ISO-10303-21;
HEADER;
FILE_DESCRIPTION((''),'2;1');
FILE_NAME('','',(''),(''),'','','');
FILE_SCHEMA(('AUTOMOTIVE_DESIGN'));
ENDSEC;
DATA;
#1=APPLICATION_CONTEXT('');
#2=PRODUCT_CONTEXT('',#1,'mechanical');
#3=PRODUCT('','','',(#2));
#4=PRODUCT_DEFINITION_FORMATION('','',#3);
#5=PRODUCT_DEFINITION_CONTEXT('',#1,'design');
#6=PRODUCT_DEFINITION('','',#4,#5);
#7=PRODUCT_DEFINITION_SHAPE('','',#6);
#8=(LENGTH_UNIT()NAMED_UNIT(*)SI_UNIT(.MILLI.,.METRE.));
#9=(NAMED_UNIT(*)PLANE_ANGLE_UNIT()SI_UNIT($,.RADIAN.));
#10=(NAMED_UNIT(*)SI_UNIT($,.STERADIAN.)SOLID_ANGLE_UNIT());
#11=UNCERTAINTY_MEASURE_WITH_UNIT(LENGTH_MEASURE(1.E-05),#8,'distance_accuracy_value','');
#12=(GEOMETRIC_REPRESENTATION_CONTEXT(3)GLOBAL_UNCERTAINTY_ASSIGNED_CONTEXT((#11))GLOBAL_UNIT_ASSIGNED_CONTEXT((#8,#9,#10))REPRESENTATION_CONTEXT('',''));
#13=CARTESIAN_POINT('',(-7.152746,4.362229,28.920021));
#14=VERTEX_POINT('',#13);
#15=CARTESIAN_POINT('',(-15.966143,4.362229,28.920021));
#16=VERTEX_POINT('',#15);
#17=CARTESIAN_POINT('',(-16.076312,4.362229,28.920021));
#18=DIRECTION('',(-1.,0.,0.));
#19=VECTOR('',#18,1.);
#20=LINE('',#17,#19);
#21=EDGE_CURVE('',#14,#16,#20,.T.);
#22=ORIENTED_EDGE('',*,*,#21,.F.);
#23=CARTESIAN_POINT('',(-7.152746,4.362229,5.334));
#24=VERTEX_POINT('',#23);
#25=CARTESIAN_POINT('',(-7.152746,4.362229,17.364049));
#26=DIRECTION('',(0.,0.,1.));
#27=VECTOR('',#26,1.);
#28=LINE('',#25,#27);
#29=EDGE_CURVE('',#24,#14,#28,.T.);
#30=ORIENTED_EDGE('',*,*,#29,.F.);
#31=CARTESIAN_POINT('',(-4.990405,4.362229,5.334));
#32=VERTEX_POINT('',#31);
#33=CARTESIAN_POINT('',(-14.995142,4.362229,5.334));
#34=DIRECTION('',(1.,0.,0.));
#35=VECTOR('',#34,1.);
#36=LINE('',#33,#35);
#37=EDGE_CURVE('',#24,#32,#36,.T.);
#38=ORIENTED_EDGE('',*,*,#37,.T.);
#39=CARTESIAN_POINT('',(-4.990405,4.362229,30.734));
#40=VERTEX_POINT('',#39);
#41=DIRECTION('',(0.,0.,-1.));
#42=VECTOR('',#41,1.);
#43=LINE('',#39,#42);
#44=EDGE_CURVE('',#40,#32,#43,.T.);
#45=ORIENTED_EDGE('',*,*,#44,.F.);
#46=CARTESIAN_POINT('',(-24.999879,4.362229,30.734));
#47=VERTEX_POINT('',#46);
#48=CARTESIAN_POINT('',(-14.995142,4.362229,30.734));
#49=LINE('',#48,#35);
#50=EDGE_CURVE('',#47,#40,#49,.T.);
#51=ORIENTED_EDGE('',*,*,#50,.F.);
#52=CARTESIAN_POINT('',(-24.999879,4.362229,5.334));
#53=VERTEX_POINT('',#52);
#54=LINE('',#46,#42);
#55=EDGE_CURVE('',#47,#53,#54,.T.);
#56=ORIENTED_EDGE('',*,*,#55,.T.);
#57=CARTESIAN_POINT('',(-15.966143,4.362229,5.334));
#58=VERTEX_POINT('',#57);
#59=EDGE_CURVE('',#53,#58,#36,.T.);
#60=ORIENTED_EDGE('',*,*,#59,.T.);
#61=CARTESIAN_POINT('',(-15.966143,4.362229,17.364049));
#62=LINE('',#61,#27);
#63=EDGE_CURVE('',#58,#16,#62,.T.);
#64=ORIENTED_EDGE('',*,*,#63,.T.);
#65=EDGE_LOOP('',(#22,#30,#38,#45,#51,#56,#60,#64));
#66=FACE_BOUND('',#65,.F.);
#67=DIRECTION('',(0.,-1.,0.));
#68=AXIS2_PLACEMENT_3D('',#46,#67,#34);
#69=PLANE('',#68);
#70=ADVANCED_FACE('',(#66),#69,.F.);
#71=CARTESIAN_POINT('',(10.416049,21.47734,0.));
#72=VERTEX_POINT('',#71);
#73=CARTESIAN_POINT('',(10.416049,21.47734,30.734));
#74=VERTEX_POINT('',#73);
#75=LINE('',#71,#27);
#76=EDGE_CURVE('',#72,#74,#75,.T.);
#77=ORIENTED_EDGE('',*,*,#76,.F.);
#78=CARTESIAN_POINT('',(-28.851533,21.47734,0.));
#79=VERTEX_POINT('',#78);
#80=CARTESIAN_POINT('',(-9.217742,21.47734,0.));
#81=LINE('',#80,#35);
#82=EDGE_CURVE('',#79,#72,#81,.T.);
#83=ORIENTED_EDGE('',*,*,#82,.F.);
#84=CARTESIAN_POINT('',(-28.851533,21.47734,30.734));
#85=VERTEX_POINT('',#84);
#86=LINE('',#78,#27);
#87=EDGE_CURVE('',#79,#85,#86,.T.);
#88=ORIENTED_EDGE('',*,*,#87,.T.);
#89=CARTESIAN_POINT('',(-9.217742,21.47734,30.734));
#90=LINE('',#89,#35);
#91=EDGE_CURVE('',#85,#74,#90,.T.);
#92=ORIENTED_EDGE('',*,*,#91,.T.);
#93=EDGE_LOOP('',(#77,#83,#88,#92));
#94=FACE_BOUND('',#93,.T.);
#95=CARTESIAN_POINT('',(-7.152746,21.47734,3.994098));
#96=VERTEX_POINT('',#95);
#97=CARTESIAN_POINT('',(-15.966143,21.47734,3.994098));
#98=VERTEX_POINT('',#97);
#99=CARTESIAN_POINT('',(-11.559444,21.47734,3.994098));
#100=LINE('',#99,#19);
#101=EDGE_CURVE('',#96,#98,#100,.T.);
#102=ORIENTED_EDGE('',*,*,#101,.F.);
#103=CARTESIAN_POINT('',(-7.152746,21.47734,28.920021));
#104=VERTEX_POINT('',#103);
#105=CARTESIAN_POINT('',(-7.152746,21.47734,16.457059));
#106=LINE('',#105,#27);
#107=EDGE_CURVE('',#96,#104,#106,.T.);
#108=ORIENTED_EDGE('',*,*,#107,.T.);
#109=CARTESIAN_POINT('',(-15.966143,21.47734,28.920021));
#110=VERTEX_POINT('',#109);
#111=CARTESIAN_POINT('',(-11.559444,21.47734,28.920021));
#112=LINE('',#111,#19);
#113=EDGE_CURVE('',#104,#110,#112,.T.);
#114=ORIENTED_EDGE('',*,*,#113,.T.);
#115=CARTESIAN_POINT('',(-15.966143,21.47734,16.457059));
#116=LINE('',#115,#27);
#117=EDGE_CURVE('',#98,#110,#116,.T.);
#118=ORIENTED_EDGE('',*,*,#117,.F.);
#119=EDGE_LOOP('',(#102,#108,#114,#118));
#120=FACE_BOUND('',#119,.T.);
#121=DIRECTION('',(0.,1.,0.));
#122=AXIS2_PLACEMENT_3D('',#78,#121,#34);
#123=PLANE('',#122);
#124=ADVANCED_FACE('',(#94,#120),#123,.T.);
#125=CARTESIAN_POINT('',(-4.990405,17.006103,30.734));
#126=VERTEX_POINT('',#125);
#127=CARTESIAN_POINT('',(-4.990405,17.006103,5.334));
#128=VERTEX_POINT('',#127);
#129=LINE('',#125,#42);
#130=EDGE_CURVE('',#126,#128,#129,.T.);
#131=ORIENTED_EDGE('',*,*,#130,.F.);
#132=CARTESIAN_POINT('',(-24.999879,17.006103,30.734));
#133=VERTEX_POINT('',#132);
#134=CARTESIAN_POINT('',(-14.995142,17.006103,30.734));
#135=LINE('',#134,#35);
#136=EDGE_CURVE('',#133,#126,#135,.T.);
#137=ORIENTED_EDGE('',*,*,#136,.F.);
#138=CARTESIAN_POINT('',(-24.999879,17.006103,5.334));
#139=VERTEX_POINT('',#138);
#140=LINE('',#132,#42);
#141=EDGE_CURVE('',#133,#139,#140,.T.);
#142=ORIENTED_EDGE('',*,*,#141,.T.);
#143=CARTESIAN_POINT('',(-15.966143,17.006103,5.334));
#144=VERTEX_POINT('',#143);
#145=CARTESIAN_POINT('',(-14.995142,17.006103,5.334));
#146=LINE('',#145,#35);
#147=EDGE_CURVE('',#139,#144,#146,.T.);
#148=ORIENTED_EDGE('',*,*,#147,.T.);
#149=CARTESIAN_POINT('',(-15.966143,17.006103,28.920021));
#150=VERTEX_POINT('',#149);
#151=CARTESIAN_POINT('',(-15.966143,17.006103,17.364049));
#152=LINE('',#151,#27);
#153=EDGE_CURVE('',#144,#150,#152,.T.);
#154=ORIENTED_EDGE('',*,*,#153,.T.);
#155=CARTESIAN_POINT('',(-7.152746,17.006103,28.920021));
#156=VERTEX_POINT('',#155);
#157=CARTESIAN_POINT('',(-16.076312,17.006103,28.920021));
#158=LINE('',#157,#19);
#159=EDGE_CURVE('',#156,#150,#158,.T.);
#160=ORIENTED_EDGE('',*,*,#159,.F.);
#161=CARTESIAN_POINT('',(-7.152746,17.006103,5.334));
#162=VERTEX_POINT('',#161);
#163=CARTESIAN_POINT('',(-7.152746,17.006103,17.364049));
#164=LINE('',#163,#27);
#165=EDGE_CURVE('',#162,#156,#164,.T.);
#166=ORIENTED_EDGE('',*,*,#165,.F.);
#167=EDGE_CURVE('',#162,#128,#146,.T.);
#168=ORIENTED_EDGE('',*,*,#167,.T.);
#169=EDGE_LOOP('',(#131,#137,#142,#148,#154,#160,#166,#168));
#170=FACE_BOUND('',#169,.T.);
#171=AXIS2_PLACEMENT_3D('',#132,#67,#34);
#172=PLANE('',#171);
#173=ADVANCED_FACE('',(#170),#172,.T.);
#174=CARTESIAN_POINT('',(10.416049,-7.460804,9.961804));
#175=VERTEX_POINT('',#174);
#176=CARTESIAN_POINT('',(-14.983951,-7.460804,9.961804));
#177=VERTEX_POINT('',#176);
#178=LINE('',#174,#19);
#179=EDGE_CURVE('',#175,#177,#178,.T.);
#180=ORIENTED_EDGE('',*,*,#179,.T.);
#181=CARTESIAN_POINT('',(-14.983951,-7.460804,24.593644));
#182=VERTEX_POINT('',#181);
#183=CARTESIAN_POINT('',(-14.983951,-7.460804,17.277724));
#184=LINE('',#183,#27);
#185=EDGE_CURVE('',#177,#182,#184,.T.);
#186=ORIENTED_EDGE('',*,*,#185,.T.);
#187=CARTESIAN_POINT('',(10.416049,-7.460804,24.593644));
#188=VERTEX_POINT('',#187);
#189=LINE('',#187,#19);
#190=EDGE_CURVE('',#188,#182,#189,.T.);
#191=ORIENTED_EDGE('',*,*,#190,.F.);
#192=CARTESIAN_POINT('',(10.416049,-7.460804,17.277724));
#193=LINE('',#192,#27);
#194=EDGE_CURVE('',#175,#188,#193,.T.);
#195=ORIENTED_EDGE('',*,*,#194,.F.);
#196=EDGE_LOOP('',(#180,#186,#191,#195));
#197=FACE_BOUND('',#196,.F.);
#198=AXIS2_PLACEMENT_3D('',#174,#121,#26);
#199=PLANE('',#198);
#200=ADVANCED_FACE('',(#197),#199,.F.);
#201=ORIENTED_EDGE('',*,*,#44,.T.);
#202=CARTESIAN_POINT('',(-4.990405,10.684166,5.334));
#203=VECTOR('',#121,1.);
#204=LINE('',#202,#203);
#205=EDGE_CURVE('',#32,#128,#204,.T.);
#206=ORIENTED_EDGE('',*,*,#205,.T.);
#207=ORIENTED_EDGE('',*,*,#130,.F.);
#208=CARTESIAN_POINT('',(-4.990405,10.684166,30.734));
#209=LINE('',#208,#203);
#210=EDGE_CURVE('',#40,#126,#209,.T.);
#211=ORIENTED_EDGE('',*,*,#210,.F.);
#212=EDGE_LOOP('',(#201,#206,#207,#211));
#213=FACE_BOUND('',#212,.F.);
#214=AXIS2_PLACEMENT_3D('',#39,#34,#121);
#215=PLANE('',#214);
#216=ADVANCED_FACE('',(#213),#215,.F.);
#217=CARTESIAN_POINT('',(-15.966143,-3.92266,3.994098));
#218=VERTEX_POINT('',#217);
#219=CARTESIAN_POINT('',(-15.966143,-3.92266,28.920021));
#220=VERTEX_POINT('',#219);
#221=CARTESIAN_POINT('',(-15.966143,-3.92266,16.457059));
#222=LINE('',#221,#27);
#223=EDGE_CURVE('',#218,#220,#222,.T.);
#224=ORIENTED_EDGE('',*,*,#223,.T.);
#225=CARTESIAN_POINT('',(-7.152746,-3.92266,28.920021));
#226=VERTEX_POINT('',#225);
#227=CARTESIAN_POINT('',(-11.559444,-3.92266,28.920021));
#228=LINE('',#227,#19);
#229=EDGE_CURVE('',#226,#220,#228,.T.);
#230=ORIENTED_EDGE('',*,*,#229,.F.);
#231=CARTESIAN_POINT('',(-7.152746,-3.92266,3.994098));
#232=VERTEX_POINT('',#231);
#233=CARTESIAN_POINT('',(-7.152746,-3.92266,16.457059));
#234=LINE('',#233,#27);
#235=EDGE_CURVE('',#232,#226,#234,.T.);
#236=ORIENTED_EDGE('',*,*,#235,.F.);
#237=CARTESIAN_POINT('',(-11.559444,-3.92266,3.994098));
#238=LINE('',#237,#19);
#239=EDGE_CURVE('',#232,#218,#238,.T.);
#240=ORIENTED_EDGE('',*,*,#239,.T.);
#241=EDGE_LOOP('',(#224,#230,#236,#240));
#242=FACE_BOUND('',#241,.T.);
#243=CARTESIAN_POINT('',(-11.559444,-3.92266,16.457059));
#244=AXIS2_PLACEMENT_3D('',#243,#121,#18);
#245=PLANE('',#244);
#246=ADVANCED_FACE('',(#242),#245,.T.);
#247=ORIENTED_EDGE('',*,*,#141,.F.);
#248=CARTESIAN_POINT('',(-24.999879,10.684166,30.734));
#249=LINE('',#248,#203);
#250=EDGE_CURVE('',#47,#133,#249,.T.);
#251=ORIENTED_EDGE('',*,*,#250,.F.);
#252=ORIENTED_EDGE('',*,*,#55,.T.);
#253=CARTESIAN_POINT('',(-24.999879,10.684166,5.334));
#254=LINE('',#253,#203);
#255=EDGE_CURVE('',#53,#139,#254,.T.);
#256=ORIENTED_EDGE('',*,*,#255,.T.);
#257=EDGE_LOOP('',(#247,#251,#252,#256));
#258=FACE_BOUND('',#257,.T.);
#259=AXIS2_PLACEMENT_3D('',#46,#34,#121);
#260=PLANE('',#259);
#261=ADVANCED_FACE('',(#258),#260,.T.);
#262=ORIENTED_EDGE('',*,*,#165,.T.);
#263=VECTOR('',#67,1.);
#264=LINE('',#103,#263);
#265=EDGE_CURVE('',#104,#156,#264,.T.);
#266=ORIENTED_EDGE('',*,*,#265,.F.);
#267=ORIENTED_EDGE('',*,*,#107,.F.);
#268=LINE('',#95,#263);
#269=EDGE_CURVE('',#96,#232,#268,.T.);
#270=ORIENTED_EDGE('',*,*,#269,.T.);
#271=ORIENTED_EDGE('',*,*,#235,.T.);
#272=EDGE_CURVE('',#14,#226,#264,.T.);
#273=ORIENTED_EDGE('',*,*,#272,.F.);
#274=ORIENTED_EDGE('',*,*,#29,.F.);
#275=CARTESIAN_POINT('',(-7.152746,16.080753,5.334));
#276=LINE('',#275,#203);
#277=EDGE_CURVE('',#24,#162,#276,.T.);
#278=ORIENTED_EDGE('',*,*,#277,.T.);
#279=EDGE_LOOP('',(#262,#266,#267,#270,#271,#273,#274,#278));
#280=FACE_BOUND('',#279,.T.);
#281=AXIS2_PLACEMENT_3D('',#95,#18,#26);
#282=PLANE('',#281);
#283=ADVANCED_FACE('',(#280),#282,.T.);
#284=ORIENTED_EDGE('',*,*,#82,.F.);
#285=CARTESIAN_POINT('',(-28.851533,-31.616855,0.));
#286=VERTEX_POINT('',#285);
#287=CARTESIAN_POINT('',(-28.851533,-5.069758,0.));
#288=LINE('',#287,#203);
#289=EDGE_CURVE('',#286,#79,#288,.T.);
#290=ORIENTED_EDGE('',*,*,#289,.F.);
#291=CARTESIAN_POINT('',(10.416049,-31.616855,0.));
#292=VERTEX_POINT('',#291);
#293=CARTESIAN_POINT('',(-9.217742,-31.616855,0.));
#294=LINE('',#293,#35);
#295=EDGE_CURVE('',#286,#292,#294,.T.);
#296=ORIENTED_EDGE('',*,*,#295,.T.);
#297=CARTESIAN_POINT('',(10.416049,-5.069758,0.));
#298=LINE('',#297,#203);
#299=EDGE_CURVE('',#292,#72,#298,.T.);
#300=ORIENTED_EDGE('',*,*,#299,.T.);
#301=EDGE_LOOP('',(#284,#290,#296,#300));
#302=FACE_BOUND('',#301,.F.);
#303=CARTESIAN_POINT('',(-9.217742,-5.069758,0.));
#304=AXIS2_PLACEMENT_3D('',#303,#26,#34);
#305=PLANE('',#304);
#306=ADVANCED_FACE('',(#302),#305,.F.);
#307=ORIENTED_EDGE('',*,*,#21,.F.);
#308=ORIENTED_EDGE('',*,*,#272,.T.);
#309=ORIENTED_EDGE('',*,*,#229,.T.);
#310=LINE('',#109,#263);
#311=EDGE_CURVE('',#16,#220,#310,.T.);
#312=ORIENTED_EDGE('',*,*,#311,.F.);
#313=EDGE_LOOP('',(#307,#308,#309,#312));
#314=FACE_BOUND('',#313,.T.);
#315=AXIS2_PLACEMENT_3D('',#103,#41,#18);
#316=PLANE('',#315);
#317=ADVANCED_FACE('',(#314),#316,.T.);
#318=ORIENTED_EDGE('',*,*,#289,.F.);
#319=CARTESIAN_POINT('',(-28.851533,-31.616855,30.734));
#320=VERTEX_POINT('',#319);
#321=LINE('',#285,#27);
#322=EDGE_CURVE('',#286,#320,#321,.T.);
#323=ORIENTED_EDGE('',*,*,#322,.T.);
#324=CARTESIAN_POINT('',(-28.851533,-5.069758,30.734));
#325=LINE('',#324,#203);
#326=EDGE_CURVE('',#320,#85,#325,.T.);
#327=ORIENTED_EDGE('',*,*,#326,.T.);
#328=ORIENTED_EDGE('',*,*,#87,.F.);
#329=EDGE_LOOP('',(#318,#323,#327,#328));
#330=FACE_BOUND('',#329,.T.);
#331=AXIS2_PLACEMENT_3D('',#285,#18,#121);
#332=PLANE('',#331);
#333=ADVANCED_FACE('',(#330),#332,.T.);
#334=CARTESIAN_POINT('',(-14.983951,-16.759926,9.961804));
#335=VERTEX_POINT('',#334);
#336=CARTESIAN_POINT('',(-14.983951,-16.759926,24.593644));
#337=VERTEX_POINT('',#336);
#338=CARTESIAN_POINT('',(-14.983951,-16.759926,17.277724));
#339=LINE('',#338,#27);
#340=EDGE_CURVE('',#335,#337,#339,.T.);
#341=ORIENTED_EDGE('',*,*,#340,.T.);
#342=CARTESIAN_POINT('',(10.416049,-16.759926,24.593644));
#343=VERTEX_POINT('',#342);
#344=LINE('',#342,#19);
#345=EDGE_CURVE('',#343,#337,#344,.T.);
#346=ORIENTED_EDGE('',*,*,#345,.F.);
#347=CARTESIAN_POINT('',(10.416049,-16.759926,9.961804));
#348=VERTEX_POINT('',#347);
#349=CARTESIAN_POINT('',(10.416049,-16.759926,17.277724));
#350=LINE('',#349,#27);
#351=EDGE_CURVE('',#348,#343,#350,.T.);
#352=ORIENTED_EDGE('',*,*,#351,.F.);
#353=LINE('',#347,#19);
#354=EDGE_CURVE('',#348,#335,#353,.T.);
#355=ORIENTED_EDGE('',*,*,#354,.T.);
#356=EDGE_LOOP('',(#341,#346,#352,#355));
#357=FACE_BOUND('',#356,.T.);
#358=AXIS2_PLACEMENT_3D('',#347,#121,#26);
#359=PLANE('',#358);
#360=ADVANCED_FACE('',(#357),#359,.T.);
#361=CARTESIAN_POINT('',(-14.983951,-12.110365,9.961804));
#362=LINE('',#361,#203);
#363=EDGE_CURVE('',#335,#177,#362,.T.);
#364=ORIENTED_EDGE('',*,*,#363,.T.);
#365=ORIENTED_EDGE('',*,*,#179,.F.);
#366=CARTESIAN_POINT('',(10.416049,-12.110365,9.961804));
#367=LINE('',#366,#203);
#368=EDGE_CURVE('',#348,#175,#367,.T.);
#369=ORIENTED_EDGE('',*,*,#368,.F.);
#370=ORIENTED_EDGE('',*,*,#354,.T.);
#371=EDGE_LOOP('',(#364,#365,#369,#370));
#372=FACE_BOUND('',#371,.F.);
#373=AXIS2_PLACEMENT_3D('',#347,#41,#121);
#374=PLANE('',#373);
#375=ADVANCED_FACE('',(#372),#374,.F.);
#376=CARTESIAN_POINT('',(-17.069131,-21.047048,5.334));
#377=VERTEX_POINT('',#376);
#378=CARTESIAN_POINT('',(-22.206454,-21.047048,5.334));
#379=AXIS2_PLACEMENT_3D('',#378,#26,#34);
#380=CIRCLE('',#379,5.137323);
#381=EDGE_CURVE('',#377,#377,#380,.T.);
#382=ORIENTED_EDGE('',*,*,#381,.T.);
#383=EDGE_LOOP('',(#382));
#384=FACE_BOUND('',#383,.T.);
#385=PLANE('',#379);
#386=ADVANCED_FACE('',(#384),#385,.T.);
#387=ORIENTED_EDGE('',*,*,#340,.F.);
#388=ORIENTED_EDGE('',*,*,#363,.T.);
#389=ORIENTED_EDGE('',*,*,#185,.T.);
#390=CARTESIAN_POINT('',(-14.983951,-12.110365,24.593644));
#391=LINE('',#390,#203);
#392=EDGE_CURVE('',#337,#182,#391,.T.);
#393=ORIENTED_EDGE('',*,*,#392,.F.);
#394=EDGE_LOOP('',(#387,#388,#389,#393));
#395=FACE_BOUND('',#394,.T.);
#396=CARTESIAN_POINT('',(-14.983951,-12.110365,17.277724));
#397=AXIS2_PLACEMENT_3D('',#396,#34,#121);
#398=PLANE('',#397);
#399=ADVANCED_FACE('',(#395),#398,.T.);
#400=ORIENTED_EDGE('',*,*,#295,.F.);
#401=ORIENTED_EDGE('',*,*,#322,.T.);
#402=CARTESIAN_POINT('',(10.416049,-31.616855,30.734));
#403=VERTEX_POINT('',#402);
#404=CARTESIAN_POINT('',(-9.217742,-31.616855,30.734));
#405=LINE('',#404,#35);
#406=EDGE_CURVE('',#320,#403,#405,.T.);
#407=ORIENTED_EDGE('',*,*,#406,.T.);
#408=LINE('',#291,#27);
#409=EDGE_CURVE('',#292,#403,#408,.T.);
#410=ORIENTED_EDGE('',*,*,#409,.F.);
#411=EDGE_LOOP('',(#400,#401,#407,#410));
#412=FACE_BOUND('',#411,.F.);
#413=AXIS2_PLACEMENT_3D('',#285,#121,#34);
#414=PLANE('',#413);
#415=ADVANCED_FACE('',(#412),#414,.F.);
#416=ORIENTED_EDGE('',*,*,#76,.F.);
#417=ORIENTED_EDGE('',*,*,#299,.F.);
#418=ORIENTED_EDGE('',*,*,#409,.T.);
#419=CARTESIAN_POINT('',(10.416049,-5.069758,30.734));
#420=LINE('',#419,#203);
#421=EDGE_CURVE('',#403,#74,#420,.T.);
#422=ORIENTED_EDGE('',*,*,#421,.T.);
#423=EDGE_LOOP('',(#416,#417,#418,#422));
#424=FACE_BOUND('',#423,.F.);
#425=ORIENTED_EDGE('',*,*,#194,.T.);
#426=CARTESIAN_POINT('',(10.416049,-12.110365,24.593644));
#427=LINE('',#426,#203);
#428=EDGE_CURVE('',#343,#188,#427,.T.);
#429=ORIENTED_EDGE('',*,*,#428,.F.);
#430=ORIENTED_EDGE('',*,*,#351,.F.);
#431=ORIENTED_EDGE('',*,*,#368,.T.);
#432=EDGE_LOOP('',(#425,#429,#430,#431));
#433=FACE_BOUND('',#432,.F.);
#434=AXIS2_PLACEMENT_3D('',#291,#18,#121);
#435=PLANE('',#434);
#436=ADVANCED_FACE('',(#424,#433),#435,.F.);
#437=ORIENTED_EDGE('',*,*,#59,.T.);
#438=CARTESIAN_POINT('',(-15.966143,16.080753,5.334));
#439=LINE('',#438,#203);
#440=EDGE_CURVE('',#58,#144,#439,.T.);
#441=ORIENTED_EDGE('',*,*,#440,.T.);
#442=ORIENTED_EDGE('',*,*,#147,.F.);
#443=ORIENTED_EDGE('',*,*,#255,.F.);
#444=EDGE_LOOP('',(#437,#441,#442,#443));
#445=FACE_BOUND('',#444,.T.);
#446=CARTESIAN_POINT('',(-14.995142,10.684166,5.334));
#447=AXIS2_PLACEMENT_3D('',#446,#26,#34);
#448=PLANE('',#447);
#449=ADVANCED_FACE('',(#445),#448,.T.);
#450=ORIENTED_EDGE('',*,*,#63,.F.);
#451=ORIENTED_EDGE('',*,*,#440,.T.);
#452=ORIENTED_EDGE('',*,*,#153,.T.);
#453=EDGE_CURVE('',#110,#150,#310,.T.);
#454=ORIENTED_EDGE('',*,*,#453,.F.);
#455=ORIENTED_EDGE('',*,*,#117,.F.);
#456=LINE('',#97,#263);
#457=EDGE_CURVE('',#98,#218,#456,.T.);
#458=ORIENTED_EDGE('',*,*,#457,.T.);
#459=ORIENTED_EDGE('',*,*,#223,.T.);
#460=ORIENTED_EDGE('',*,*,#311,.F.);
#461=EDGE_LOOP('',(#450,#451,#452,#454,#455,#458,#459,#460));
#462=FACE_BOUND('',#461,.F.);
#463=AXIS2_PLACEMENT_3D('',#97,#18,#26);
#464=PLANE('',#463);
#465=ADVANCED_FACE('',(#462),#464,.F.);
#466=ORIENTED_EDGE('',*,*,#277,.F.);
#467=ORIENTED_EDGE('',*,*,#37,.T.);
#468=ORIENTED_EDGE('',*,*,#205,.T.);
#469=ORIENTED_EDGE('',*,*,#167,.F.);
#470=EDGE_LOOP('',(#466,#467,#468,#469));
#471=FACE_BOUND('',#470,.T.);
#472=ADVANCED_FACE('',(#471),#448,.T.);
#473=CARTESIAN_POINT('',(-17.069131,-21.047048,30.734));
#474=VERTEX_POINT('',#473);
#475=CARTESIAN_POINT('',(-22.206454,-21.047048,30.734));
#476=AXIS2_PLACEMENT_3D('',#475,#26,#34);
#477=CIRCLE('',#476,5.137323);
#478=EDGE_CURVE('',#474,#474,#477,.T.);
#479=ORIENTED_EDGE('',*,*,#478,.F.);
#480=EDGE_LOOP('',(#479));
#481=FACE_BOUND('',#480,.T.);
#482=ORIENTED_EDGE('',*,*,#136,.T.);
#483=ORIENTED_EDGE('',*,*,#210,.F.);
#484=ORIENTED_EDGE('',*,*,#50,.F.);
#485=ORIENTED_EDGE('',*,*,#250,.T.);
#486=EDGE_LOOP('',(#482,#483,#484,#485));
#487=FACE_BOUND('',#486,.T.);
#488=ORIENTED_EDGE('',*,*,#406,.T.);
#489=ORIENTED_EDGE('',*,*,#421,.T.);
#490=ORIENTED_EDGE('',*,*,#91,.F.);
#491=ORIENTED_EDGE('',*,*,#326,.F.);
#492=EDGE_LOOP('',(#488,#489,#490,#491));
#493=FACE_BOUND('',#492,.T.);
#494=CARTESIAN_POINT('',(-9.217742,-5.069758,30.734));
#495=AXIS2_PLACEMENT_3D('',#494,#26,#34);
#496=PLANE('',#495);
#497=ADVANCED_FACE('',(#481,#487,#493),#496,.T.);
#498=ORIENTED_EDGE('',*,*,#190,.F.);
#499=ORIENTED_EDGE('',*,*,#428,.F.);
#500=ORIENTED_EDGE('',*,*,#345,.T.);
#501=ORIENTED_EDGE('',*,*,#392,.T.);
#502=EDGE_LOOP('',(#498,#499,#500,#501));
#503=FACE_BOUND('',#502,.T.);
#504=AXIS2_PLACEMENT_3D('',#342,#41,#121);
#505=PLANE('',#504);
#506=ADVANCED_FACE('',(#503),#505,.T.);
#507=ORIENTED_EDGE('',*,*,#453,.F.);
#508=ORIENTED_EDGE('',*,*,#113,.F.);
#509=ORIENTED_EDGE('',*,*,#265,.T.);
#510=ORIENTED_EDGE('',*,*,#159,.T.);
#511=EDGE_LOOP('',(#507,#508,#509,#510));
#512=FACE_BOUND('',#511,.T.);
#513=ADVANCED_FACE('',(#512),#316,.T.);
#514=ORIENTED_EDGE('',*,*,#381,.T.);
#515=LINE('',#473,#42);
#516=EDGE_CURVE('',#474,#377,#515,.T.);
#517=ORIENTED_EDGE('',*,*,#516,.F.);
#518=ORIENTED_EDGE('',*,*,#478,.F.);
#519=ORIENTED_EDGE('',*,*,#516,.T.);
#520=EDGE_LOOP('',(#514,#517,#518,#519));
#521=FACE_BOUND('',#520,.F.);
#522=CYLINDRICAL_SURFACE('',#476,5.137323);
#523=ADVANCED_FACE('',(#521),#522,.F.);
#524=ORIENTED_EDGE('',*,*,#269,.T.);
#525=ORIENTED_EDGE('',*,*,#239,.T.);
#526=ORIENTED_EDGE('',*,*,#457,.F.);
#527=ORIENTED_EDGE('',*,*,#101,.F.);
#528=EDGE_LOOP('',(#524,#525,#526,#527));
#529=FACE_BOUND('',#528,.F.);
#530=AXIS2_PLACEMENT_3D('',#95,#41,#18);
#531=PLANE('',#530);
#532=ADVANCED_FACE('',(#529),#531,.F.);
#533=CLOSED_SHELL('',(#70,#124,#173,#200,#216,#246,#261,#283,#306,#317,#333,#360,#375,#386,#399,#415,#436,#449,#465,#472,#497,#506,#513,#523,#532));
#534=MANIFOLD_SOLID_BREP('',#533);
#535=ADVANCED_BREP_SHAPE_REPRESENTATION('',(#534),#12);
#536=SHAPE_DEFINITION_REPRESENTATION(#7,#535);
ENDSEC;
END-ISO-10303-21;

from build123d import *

# Parameters (mm, degrees)
F0_W      = 39.2675818875
F0_H      = 53.094195202
F1_DEPTH  = 30.734
F2_R      = 5.9033693707
F3_DEPTH  = 34.544
F4_R      = 6.9366562731
F5_DEPTH  = 29.21
F6_R      = 5.137322698
F7_DEPTH  = 25.4
F8_W      = 9.2991222627
F8_H      = 14.6318394691
F9_DEPTH  = 25.4
F10_W     = 8.8133979589
F10_H     = 24.9259229749
F11_DEPTH = 25.4
F12_W     = 20.0094743632
F12_H     = 12.6438736916
F13_DEPTH = 25.4


with BuildPart() as f1:
    # F0 (on Top) → F1 (new body)
    with BuildSketch(Plane.XY):
        with Locations((-9.2177423649, -5.0697578117)):
            Rectangle(F0_W, F0_H)
    extrude(amount=F1_DEPTH)

    # F2 (on face) → F3 (join)
    with BuildSketch(Plane(origin=(0, 21.4773397893, 0), x_dir=(-1, 0, 0), z_dir=(0, 1, 0))):
        with Locations((0, 21.7559281737)):
            Circle(F2_R)
    extrude(amount=-F3_DEPTH)

    # F4 (on face) → F5 (join)
    with BuildSketch(Plane(origin=(0, 21.4773397893, 0), x_dir=(-1, 0, 0), z_dir=(0, 1, 0))):
        with Locations((0, 17.7725534886)):
            Circle(F4_R)
    extrude(amount=-F5_DEPTH)

    # F6 (on face) → F7 (cut)
    with BuildSketch(Plane.XY.offset(30.734)):
        with Locations((-22.2064536065, -21.0470482707)):
            Circle(F6_R)
    extrude(amount=-F7_DEPTH, mode=Mode.SUBTRACT)

    # F8 (on face) → F9 (cut)
    with BuildSketch(Plane.YZ.offset(10.4160485789)):
        with Locations((-12.1103653219, 17.2777241096)):
            Rectangle(F8_W, F8_H)
    extrude(amount=-F9_DEPTH, mode=Mode.SUBTRACT)

    # F10 (on face) → F11 (cut)
    with BuildSketch(Plane(origin=(0, 21.4773397893, 0), x_dir=(-1, 0, 0), z_dir=(0, 1, 0))):
        with Locations((11.5594444796, 16.4570594206)):
            Rectangle(F10_W, F10_H)
    extrude(amount=-F11_DEPTH, mode=Mode.SUBTRACT)

    # F12 (on face) → F13 (cut)
    with BuildSketch(Plane.XY.offset(30.734)):
        with Locations((-14.995142119, 10.6841661036)):
            Rectangle(F12_W, F12_H)
    extrude(amount=-F13_DEPTH, mode=Mode.SUBTRACT)


solid = f1.part
